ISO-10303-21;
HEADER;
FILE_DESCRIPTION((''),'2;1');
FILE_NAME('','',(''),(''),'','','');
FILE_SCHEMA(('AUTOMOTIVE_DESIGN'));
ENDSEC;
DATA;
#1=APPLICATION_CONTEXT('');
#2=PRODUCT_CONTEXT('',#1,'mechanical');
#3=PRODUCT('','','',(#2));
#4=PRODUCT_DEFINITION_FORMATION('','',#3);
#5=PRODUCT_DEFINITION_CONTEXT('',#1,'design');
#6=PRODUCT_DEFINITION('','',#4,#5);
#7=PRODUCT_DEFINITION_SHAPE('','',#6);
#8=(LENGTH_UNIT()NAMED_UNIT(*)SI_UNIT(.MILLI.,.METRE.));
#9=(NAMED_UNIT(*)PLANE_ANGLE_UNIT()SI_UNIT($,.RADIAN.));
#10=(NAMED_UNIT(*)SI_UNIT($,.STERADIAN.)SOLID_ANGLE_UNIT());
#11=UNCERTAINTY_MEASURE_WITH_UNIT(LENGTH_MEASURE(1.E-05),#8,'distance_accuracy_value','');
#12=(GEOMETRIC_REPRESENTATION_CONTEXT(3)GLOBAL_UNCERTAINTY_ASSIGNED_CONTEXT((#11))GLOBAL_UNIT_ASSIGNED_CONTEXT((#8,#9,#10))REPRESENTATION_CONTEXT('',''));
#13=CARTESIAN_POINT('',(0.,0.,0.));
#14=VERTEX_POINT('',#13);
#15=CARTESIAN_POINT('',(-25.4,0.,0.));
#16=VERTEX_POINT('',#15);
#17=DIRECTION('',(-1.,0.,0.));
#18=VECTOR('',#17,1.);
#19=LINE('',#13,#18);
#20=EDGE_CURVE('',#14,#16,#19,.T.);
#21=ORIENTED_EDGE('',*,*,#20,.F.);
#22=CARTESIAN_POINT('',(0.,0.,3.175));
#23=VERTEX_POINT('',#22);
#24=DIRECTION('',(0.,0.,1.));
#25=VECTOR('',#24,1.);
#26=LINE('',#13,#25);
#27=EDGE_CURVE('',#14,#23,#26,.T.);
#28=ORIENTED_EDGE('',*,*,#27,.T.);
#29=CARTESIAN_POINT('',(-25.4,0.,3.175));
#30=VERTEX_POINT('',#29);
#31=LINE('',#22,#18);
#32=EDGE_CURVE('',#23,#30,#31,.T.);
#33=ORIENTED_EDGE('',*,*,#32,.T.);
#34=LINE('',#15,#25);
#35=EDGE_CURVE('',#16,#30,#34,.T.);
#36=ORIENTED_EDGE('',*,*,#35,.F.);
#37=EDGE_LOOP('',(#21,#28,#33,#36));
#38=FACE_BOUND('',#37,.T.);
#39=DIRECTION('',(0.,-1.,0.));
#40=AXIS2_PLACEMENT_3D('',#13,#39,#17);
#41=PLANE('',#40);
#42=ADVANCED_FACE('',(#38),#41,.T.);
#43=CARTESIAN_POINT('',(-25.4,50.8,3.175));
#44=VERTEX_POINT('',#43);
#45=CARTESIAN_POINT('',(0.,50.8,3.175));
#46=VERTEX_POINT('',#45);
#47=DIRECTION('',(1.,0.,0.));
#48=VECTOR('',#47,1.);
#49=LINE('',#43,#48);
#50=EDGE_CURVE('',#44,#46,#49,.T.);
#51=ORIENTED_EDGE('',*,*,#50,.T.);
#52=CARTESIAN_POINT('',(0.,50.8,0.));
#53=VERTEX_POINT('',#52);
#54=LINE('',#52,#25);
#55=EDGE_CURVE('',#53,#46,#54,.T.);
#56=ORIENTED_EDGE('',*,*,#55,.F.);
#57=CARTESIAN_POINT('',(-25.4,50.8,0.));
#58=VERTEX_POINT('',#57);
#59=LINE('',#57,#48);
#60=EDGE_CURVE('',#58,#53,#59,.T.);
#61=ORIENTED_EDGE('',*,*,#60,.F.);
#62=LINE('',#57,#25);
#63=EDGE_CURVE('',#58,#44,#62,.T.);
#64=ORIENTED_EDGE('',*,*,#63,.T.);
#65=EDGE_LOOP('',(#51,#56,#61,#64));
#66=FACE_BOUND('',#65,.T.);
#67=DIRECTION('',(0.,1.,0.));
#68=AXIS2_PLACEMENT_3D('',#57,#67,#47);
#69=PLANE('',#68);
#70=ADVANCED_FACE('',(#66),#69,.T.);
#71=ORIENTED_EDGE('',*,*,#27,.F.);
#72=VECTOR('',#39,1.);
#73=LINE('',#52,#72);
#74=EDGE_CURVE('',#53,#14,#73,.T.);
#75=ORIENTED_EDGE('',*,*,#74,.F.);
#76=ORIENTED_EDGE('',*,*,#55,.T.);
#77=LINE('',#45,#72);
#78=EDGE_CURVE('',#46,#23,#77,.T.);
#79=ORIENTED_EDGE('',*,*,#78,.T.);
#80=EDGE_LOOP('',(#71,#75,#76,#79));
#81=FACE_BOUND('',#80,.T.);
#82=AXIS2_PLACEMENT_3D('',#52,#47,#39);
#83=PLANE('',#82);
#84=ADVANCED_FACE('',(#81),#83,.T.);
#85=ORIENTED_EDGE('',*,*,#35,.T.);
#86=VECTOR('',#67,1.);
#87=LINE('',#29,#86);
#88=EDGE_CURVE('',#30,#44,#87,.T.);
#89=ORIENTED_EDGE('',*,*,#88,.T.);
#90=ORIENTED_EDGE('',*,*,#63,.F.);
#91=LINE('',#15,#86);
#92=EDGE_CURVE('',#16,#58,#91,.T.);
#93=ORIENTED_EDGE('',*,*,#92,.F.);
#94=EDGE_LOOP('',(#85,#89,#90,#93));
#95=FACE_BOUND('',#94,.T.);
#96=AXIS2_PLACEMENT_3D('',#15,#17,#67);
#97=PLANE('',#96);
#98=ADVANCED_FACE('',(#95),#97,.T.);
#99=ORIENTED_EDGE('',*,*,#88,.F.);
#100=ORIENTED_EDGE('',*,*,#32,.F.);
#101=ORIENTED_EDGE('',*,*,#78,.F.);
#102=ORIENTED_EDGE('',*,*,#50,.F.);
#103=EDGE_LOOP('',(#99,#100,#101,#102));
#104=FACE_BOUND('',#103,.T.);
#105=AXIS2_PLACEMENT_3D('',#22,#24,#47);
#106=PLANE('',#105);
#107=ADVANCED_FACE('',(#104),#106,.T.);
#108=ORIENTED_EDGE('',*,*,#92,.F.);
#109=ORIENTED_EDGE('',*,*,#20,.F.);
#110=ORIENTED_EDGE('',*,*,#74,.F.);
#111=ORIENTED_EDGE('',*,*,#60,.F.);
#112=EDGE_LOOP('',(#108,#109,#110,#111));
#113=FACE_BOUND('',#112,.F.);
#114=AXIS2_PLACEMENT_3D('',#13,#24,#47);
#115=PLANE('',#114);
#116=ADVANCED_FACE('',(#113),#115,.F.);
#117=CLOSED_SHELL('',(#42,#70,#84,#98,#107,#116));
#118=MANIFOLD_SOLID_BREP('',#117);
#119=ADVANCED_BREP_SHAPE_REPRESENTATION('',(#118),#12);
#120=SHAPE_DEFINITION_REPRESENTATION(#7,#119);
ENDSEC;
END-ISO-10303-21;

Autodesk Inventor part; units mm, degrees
ref_plane "YZ Plane" through (0, 0, 0) normal (1, 0, 0) x (0, 1, 0)
ref_plane "XZ Plane" through (0, 0, 0) normal (0, 1, 0) x (-1, 0, 0)
ref_plane "XY Plane" through (0, 0, 0) normal (0, 0, 1) x (1, 0, 0)
sketch "Sketch1" plane through (0, 0, 0) normal (0, 0, 1) x (1, 0, 0)
  line L0 (0, 0) -> (-25.4, 0)
  line L1 (-25.4, 0) -> (-25.4, 50.8)
  line L2 (-25.4, 50.8) -> (0, 50.8)
  line L3 (0, 50.8) -> (0, 0)
  dimension "d0" = 50.8
  dimension "d1" = 25.4
extrude "Extrusion1" add sketch "Sketch1" along normal blind 3.175
properties part number "plswork" material "Aluminum 6061"
